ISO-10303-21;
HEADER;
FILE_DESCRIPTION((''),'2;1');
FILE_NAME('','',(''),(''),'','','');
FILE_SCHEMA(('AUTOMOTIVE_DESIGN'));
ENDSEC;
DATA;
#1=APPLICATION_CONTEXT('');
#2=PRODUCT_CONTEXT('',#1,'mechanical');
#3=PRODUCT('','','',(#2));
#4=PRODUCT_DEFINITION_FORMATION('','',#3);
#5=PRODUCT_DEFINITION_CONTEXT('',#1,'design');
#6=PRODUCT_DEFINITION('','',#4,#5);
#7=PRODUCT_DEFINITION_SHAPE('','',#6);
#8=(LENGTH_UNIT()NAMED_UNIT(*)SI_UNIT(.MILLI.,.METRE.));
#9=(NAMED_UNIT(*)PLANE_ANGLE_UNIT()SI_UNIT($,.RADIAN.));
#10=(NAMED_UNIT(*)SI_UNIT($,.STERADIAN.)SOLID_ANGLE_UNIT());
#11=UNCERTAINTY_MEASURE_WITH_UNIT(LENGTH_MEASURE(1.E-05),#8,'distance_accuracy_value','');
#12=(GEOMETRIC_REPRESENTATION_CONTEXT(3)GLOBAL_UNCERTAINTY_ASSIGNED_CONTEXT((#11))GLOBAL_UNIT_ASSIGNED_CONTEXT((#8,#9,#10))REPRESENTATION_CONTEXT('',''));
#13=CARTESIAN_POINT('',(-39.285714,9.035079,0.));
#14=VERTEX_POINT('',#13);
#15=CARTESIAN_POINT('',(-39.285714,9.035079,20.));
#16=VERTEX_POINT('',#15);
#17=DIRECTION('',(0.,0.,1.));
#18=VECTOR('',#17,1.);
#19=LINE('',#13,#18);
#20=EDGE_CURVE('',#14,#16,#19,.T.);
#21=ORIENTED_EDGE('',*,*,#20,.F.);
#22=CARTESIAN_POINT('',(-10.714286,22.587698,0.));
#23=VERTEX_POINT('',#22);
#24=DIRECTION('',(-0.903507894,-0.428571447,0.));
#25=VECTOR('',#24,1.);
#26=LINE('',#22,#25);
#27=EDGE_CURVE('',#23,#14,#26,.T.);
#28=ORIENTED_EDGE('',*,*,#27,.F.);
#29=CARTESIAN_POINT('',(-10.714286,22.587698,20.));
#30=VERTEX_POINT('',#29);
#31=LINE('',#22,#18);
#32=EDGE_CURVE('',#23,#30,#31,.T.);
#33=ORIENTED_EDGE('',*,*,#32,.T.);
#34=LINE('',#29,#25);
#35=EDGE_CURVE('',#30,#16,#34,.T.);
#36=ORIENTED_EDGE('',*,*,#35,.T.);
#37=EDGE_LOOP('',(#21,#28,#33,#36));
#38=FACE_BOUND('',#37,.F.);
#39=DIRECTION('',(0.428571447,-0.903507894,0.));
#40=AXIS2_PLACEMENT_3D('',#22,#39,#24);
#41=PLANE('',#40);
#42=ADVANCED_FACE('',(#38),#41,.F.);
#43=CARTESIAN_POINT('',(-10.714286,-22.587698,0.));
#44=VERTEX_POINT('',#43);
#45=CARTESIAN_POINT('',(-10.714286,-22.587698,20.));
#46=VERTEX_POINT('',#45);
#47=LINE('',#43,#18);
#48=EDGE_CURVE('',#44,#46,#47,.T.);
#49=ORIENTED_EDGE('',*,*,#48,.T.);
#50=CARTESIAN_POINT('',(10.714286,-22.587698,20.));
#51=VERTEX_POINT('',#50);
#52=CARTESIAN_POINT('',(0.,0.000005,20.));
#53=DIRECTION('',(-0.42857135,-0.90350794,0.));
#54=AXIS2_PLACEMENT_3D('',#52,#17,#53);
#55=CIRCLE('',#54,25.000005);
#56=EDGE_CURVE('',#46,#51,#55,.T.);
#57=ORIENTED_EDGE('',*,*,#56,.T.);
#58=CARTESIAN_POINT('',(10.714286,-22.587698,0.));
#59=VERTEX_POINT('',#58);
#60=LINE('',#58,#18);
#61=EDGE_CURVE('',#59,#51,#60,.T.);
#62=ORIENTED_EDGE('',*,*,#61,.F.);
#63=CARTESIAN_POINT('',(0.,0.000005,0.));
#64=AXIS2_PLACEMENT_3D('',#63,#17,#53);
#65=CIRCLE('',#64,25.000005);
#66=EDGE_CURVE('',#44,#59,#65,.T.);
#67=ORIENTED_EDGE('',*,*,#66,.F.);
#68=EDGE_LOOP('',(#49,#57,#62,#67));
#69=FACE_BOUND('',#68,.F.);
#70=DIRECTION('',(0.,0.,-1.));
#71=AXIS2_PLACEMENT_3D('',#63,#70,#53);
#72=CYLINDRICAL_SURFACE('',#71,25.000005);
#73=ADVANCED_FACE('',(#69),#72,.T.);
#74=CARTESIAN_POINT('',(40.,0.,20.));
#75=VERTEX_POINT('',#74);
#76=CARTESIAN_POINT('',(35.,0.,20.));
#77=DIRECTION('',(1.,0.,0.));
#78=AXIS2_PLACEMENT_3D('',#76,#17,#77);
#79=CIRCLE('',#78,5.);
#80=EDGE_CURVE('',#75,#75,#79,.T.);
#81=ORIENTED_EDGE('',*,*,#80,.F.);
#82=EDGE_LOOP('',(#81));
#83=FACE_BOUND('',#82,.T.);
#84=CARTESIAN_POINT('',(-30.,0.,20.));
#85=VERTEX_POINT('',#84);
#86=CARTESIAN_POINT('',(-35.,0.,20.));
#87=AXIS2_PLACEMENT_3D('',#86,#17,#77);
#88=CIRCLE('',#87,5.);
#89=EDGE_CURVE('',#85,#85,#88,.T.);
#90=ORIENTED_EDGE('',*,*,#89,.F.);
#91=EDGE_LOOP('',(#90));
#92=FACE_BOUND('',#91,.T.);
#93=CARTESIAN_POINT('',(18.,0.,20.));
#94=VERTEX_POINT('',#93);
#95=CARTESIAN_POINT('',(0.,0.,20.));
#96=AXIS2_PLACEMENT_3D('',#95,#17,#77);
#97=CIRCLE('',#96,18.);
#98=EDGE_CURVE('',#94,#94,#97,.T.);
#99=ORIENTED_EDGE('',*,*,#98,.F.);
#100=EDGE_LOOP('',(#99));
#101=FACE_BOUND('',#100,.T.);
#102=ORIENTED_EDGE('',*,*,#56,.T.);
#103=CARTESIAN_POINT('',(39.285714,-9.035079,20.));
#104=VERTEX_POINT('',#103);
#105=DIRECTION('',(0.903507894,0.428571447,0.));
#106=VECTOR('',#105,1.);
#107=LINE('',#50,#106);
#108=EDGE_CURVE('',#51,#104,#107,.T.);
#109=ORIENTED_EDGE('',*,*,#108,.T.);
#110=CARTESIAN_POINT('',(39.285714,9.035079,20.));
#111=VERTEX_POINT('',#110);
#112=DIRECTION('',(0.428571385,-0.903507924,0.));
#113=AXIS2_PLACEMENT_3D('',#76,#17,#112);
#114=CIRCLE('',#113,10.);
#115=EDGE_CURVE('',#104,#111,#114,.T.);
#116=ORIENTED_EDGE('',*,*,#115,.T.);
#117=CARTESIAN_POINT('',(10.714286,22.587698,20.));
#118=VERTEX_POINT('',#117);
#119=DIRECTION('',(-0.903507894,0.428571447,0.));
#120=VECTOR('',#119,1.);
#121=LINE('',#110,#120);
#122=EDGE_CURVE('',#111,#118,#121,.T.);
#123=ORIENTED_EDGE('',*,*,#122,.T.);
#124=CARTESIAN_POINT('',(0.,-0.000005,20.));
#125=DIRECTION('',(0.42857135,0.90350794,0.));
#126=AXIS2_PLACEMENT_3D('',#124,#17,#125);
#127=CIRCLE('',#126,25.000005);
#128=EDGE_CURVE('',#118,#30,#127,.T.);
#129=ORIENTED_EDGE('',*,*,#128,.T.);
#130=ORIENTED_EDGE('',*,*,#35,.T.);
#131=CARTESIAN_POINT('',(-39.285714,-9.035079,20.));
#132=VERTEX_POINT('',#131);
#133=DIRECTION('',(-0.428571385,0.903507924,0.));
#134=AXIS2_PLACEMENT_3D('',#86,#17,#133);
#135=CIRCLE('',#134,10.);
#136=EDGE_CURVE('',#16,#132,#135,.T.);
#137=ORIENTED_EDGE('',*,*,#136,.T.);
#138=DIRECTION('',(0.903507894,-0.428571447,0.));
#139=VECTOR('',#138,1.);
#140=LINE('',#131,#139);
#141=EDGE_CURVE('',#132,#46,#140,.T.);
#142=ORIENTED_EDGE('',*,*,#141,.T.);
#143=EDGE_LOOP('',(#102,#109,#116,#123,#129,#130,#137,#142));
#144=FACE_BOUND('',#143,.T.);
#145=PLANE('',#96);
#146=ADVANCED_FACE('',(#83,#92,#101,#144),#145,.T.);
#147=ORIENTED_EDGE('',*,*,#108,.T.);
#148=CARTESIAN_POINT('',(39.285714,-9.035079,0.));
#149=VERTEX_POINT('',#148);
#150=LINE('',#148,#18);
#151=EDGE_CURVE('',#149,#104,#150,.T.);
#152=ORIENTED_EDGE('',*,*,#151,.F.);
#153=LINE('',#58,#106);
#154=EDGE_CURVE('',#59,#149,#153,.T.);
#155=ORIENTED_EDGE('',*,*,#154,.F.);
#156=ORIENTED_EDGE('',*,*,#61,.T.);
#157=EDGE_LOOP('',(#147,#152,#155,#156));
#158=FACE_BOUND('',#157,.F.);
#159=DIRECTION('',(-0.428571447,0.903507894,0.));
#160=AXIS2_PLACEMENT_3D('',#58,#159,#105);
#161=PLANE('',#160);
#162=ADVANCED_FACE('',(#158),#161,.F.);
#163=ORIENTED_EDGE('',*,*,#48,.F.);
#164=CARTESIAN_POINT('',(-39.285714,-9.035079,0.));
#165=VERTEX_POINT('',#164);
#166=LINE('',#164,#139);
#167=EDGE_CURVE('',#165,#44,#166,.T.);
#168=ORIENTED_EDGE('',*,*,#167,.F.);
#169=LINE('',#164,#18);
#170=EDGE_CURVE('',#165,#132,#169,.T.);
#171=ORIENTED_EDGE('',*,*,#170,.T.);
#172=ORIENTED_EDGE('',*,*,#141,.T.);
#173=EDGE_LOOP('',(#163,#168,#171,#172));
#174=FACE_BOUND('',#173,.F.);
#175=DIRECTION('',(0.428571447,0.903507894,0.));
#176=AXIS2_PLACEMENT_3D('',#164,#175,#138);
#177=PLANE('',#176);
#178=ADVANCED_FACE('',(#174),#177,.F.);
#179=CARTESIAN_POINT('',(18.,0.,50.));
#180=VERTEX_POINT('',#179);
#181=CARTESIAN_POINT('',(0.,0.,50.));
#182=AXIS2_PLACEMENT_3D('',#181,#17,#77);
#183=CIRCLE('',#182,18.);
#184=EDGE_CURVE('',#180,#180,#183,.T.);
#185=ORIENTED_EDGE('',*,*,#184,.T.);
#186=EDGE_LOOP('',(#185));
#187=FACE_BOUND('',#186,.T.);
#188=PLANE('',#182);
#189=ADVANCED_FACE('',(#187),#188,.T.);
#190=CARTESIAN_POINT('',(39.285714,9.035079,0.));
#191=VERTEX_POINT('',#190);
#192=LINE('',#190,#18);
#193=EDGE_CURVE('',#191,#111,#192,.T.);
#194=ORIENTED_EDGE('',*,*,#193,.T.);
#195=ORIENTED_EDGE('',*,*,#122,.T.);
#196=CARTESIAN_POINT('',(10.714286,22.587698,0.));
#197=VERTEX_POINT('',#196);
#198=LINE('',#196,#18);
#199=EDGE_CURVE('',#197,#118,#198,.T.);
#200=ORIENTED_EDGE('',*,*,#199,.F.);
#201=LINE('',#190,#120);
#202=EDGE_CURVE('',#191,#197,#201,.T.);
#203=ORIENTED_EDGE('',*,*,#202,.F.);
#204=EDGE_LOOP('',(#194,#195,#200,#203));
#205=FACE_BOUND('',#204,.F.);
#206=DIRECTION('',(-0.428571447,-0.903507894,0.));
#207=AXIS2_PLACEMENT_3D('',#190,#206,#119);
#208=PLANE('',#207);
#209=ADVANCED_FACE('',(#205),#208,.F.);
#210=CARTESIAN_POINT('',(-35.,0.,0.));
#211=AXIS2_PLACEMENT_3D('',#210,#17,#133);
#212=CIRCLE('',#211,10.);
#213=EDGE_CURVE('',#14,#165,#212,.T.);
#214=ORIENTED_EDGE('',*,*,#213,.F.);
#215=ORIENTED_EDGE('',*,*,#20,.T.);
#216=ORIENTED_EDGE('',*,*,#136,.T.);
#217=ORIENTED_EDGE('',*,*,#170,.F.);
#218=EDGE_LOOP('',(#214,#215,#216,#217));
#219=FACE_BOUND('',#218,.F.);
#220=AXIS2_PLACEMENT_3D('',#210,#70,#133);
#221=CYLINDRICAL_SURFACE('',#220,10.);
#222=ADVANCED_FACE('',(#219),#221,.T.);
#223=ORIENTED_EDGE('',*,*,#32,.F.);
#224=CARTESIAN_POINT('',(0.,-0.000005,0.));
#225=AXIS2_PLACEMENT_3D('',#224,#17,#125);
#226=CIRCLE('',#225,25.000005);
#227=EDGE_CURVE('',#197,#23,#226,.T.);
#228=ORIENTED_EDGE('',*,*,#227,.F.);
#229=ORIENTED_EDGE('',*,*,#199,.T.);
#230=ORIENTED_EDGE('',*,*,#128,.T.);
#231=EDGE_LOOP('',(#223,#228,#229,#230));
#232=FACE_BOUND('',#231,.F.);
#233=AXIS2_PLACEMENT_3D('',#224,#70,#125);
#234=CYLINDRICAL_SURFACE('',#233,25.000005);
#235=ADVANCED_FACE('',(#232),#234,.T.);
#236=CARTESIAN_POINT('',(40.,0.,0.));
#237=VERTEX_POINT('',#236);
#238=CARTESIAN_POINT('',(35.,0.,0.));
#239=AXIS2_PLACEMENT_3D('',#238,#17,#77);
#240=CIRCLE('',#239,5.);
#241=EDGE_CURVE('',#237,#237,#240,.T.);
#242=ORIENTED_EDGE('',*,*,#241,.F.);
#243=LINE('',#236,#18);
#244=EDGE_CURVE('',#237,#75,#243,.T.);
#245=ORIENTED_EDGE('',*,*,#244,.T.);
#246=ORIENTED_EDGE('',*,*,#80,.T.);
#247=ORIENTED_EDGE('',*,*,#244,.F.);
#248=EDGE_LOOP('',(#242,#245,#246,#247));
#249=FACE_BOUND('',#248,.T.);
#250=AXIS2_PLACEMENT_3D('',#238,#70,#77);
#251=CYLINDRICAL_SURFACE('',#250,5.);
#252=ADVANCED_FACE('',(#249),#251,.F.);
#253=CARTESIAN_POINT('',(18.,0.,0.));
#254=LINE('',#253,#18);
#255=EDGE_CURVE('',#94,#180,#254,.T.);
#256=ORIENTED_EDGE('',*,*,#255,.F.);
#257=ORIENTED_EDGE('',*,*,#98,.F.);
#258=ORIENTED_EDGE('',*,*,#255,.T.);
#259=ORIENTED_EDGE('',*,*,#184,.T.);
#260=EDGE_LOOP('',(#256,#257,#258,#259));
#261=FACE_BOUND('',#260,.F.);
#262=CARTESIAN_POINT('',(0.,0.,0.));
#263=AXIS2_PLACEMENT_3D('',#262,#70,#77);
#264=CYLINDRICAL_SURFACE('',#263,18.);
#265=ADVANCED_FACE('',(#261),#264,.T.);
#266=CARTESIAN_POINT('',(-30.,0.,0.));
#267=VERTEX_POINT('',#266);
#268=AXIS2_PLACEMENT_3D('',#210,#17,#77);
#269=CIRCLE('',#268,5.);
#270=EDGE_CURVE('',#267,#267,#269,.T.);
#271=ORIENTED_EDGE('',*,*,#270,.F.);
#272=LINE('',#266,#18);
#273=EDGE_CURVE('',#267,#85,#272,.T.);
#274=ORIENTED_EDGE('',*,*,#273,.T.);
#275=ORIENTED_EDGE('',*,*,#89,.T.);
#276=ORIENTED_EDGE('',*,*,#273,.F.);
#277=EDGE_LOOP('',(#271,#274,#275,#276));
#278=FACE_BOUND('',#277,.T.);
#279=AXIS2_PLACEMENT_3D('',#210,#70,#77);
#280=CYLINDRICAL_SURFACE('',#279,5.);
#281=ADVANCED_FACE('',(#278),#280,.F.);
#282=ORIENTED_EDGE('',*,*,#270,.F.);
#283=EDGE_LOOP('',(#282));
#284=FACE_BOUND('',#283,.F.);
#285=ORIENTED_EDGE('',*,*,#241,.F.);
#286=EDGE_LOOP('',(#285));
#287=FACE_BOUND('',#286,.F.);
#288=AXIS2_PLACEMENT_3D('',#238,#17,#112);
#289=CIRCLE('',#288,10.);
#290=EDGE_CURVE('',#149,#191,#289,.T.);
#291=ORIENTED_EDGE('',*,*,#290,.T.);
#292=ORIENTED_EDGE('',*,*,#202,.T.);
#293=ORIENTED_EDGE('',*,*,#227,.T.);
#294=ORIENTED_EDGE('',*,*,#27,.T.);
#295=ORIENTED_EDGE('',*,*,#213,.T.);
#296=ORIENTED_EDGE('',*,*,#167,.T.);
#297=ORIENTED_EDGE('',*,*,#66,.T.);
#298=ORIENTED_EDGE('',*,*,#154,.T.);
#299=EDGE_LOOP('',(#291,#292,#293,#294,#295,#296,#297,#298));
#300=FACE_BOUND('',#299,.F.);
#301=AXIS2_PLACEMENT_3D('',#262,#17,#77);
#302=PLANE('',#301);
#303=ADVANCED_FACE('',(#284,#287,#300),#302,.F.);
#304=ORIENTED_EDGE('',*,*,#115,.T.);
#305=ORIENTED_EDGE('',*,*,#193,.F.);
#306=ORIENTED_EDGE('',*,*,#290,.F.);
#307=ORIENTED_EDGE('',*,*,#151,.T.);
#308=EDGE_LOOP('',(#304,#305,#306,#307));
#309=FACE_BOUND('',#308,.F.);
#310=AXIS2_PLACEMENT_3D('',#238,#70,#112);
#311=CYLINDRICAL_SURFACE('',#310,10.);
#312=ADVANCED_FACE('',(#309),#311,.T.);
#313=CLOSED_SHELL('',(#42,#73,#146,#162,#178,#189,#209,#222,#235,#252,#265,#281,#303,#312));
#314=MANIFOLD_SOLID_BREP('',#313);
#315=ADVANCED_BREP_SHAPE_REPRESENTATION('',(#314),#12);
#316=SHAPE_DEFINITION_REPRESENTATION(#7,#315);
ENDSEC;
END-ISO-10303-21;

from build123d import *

# Parameters (mm, degrees)
F0_R     = 5
F0_R_2   = 18
F1_DEPTH = 20
F2_DEPTH = 50


with BuildPart() as f1:
    # F0 (on Top) → F1 (new body)
    with BuildSketch(Plane.XY):
        with BuildLine():
            Line((-10.714286, 22.587698), (-39.285714, 9.035079))
            ThreePointArc((-39.285714, 9.035079), (-45, 0), (-39.285714, -9.035079))
            Line((-39.285714, -9.035079), (-10.714286, -22.587698))
            ThreePointArc((-10.714286, -22.587698), (0, -25), (10.714286, -22.587698))
            Line((10.714286, -22.587698), (39.285714, -9.035079))
            ThreePointArc((39.285714, -9.035079), (45, 0), (39.285714, 9.035079))
            Line((39.285714, 9.035079), (10.714286, 22.587698))
            ThreePointArc((10.714286, 22.587698), (0, 25), (-10.714286, 22.587698))
        make_face()
        with Locations((-35, 0)):
            Circle(F0_R, mode=Mode.SUBTRACT)
        Circle(F0_R_2, mode=Mode.SUBTRACT)
        with Locations((35, 0)):
            Circle(F0_R, mode=Mode.SUBTRACT)
    extrude(amount=F1_DEPTH)

    # F0 (on Top) → F2 (join)
    with BuildSketch(Plane.XY):
        Circle(F0_R_2)
    extrude(amount=F2_DEPTH)


solid = f1.part
